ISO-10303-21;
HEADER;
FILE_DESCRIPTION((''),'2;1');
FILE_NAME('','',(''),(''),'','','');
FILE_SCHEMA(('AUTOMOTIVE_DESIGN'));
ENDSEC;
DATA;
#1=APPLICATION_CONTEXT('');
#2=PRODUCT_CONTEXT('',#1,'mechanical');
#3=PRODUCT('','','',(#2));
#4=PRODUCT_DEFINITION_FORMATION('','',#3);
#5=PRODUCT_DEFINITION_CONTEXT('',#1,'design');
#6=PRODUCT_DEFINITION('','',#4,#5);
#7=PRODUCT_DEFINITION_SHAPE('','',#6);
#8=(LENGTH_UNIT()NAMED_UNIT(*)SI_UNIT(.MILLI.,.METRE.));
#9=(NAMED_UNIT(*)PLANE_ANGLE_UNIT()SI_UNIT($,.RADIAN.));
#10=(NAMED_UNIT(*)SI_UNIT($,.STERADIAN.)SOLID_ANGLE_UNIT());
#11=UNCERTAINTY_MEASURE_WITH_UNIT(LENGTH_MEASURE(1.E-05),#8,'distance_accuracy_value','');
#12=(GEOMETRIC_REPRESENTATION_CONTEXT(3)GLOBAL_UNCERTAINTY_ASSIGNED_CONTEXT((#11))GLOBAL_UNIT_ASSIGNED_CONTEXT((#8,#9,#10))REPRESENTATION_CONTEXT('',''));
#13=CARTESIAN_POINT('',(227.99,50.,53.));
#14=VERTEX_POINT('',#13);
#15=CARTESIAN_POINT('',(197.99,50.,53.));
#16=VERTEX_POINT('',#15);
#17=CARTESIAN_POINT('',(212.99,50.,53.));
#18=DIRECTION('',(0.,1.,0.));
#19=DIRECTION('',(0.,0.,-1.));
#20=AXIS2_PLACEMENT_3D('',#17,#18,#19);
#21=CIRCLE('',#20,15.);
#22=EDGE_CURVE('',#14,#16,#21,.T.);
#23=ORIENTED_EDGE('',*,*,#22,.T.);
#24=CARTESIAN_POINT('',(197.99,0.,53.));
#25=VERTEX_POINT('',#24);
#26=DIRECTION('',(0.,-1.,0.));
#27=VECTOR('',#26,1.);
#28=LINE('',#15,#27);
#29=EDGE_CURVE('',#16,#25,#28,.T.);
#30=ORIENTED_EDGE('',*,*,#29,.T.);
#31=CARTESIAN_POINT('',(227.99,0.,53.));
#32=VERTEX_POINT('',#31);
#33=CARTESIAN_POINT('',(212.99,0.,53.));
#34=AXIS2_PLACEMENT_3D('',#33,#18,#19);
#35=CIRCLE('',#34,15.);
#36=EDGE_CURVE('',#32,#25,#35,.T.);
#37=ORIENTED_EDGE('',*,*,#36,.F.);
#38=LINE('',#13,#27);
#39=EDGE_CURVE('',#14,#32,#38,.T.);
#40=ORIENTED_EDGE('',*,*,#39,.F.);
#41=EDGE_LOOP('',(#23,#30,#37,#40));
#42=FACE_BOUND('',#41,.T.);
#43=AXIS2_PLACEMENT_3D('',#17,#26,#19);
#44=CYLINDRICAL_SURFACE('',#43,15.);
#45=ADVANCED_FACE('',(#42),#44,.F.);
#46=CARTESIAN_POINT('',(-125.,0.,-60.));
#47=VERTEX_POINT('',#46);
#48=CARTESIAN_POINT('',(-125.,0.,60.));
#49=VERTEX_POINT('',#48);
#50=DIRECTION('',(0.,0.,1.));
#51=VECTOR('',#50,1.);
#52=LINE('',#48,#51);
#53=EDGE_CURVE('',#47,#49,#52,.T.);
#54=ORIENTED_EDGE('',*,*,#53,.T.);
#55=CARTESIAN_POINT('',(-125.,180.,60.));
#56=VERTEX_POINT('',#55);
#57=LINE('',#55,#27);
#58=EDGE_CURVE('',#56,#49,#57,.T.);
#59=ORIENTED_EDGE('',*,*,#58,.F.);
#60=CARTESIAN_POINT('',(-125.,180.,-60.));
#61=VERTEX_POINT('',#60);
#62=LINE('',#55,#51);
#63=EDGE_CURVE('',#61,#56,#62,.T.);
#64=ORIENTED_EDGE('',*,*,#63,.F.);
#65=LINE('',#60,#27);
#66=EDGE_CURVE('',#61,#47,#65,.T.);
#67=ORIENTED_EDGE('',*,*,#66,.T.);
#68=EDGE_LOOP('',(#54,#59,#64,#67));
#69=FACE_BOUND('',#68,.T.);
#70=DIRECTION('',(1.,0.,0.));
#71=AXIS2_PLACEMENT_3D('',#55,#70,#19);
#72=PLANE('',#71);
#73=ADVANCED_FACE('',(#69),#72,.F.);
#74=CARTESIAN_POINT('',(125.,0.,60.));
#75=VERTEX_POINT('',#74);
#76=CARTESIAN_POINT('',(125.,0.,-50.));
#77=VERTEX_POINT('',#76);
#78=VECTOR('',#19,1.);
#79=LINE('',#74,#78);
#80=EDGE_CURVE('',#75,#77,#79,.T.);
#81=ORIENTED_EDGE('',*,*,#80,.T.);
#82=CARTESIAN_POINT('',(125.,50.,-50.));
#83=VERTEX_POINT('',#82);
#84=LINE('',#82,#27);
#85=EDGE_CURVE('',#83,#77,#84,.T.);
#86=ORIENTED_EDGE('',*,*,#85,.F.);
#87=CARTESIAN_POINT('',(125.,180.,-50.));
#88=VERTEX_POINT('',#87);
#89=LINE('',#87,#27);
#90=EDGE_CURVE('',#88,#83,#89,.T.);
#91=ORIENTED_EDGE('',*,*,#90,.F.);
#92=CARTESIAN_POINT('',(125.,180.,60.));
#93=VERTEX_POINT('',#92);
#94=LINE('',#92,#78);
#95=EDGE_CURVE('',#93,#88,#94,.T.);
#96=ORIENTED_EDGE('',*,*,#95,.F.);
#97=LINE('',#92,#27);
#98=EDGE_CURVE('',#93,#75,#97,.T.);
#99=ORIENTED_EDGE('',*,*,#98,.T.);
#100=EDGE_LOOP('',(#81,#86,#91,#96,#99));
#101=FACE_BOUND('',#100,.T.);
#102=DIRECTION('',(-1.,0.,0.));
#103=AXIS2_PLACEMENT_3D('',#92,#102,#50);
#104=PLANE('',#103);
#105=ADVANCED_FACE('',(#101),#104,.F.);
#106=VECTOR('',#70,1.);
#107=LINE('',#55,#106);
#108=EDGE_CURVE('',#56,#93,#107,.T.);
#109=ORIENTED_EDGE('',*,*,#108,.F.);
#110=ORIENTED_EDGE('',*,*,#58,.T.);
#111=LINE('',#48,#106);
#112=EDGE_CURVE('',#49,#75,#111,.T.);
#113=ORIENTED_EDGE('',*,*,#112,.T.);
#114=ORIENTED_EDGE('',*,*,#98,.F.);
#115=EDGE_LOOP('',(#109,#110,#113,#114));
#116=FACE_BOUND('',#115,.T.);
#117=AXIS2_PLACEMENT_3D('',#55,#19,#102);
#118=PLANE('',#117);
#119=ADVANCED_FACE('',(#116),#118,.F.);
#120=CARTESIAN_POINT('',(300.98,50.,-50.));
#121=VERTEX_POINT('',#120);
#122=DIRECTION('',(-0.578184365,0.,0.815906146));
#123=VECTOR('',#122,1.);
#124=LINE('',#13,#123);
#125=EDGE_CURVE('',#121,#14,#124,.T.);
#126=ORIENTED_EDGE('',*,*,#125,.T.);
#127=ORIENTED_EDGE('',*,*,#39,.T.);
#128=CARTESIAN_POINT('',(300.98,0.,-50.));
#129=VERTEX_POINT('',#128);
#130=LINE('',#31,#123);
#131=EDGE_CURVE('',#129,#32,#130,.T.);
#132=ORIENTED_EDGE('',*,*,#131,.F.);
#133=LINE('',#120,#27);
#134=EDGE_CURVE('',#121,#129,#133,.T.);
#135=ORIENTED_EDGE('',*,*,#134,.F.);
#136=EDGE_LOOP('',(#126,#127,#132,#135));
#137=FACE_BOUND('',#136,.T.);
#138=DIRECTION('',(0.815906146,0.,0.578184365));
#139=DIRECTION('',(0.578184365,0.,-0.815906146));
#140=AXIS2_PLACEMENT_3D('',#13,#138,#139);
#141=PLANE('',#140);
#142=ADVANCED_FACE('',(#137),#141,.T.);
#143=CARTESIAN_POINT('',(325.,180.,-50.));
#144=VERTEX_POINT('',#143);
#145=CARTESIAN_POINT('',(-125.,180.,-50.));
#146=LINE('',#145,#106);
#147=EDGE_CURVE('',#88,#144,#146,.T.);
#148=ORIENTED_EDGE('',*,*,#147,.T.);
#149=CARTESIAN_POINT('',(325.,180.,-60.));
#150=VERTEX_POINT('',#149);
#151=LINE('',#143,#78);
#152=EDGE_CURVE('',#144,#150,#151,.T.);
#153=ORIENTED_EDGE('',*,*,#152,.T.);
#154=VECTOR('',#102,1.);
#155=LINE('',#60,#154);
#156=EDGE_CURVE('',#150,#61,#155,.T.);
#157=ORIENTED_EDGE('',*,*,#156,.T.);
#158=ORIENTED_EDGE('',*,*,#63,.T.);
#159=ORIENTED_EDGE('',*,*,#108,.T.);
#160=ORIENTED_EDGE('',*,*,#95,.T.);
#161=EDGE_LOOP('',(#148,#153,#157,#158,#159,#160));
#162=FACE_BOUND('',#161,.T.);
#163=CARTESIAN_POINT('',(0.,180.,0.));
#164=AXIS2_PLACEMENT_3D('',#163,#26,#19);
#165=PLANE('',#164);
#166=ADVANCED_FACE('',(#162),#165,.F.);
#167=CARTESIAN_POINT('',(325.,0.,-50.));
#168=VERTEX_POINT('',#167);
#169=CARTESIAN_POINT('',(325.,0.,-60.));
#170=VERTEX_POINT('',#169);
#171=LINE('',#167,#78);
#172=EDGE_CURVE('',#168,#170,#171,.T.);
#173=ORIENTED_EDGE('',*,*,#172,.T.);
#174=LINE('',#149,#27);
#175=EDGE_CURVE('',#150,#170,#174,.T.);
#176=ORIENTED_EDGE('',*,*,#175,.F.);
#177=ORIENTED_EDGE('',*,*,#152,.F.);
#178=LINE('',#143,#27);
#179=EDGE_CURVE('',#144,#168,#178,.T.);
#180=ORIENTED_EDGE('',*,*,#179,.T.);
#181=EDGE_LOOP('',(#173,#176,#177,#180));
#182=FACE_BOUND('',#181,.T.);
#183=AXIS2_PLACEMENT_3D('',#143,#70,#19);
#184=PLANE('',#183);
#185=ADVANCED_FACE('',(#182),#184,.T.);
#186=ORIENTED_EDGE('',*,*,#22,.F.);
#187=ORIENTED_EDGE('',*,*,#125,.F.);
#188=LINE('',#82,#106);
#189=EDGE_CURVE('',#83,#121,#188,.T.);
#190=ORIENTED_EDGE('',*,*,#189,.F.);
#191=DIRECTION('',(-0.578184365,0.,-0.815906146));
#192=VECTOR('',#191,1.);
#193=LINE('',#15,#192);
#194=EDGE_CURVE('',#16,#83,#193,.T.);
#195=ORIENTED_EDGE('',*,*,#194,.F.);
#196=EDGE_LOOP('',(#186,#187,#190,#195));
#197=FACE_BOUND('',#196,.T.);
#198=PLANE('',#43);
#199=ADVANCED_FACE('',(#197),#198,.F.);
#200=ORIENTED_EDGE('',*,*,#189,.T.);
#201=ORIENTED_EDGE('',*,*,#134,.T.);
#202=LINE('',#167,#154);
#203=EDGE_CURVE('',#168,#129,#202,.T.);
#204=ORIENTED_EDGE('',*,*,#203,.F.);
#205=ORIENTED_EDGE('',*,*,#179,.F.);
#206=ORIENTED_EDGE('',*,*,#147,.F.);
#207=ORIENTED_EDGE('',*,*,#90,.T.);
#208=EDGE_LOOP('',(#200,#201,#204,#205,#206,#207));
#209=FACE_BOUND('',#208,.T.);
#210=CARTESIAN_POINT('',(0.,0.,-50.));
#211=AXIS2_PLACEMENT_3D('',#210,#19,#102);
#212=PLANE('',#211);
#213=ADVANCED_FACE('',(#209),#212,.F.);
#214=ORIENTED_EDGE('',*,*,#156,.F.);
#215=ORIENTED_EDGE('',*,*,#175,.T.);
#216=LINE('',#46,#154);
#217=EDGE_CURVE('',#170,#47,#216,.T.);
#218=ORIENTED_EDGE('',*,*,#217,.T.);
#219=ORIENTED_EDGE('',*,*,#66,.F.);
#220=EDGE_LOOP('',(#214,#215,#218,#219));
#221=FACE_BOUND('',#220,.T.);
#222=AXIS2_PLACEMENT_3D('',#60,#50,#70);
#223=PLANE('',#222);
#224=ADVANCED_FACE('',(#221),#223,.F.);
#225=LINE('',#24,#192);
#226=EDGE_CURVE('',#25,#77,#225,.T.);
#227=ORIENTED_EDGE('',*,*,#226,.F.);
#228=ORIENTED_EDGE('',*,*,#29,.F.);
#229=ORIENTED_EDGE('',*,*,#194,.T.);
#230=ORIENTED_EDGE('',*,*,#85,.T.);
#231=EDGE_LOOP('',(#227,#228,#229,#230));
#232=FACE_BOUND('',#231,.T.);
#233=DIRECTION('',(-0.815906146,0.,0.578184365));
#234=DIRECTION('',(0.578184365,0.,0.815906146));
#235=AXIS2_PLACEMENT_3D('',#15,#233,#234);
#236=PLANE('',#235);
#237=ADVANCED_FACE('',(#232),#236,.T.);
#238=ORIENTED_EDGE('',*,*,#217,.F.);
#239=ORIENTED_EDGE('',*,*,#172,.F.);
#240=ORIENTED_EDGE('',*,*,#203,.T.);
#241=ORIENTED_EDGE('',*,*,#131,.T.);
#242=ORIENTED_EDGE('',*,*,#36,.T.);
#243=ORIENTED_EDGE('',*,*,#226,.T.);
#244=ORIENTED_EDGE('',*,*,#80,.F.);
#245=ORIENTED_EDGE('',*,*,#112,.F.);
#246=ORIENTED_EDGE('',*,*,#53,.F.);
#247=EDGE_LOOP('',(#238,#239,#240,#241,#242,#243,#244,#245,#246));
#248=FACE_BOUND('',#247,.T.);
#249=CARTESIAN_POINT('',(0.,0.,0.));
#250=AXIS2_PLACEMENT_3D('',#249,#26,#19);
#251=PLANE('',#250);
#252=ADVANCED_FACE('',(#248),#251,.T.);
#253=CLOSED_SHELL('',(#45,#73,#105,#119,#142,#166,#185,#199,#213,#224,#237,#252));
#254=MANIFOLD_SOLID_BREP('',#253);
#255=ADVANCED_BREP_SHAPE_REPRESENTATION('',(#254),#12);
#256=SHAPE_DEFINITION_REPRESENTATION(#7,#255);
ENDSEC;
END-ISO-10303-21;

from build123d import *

# Parameters (mm, degrees)
SKETCH2_W           = 250
SKETCH2_H           = 120
BOSS_EXTRUDE1_DEPTH = 180
SKETCH3_W           = 450
SKETCH3_H           = 180
BOSS_EXTRUDE2_DEPTH = 10
BOSS_EXTRUDE3_DEPTH = 50


with BuildPart() as part:
    # Sketch2 → Boss-Extrude1 (new body)
    with BuildSketch(Plane(origin=(0, 0, 0), x_dir=(1, 0, 0), z_dir=(0, 1, 0))):
        Rectangle(SKETCH2_W, SKETCH2_H)
    extrude(amount=BOSS_EXTRUDE1_DEPTH)

    # Sketch3 → Boss-Extrude2 (add)
    with BuildSketch(Plane(origin=(0, 0, -60), x_dir=(-1, 0, 0), z_dir=(0, 0, -1))):
        with Locations((-100, 90)):
            Rectangle(SKETCH3_W, SKETCH3_H)
    extrude(amount=-BOSS_EXTRUDE2_DEPTH)

    # Sketch4 → Boss-Extrude3 (add)
    with BuildSketch(Plane.XZ):
        with BuildLine():
            Line((125, -50), (300.98, -50))
            Line((300.98, -50), (227.99, 53))
            ThreePointArc((227.99, 53), (212.99, 38), (197.99, 53))
            Line((197.99, 53), (125, -50))
        make_face()
    extrude(amount=-BOSS_EXTRUDE3_DEPTH)


solid = part.part
